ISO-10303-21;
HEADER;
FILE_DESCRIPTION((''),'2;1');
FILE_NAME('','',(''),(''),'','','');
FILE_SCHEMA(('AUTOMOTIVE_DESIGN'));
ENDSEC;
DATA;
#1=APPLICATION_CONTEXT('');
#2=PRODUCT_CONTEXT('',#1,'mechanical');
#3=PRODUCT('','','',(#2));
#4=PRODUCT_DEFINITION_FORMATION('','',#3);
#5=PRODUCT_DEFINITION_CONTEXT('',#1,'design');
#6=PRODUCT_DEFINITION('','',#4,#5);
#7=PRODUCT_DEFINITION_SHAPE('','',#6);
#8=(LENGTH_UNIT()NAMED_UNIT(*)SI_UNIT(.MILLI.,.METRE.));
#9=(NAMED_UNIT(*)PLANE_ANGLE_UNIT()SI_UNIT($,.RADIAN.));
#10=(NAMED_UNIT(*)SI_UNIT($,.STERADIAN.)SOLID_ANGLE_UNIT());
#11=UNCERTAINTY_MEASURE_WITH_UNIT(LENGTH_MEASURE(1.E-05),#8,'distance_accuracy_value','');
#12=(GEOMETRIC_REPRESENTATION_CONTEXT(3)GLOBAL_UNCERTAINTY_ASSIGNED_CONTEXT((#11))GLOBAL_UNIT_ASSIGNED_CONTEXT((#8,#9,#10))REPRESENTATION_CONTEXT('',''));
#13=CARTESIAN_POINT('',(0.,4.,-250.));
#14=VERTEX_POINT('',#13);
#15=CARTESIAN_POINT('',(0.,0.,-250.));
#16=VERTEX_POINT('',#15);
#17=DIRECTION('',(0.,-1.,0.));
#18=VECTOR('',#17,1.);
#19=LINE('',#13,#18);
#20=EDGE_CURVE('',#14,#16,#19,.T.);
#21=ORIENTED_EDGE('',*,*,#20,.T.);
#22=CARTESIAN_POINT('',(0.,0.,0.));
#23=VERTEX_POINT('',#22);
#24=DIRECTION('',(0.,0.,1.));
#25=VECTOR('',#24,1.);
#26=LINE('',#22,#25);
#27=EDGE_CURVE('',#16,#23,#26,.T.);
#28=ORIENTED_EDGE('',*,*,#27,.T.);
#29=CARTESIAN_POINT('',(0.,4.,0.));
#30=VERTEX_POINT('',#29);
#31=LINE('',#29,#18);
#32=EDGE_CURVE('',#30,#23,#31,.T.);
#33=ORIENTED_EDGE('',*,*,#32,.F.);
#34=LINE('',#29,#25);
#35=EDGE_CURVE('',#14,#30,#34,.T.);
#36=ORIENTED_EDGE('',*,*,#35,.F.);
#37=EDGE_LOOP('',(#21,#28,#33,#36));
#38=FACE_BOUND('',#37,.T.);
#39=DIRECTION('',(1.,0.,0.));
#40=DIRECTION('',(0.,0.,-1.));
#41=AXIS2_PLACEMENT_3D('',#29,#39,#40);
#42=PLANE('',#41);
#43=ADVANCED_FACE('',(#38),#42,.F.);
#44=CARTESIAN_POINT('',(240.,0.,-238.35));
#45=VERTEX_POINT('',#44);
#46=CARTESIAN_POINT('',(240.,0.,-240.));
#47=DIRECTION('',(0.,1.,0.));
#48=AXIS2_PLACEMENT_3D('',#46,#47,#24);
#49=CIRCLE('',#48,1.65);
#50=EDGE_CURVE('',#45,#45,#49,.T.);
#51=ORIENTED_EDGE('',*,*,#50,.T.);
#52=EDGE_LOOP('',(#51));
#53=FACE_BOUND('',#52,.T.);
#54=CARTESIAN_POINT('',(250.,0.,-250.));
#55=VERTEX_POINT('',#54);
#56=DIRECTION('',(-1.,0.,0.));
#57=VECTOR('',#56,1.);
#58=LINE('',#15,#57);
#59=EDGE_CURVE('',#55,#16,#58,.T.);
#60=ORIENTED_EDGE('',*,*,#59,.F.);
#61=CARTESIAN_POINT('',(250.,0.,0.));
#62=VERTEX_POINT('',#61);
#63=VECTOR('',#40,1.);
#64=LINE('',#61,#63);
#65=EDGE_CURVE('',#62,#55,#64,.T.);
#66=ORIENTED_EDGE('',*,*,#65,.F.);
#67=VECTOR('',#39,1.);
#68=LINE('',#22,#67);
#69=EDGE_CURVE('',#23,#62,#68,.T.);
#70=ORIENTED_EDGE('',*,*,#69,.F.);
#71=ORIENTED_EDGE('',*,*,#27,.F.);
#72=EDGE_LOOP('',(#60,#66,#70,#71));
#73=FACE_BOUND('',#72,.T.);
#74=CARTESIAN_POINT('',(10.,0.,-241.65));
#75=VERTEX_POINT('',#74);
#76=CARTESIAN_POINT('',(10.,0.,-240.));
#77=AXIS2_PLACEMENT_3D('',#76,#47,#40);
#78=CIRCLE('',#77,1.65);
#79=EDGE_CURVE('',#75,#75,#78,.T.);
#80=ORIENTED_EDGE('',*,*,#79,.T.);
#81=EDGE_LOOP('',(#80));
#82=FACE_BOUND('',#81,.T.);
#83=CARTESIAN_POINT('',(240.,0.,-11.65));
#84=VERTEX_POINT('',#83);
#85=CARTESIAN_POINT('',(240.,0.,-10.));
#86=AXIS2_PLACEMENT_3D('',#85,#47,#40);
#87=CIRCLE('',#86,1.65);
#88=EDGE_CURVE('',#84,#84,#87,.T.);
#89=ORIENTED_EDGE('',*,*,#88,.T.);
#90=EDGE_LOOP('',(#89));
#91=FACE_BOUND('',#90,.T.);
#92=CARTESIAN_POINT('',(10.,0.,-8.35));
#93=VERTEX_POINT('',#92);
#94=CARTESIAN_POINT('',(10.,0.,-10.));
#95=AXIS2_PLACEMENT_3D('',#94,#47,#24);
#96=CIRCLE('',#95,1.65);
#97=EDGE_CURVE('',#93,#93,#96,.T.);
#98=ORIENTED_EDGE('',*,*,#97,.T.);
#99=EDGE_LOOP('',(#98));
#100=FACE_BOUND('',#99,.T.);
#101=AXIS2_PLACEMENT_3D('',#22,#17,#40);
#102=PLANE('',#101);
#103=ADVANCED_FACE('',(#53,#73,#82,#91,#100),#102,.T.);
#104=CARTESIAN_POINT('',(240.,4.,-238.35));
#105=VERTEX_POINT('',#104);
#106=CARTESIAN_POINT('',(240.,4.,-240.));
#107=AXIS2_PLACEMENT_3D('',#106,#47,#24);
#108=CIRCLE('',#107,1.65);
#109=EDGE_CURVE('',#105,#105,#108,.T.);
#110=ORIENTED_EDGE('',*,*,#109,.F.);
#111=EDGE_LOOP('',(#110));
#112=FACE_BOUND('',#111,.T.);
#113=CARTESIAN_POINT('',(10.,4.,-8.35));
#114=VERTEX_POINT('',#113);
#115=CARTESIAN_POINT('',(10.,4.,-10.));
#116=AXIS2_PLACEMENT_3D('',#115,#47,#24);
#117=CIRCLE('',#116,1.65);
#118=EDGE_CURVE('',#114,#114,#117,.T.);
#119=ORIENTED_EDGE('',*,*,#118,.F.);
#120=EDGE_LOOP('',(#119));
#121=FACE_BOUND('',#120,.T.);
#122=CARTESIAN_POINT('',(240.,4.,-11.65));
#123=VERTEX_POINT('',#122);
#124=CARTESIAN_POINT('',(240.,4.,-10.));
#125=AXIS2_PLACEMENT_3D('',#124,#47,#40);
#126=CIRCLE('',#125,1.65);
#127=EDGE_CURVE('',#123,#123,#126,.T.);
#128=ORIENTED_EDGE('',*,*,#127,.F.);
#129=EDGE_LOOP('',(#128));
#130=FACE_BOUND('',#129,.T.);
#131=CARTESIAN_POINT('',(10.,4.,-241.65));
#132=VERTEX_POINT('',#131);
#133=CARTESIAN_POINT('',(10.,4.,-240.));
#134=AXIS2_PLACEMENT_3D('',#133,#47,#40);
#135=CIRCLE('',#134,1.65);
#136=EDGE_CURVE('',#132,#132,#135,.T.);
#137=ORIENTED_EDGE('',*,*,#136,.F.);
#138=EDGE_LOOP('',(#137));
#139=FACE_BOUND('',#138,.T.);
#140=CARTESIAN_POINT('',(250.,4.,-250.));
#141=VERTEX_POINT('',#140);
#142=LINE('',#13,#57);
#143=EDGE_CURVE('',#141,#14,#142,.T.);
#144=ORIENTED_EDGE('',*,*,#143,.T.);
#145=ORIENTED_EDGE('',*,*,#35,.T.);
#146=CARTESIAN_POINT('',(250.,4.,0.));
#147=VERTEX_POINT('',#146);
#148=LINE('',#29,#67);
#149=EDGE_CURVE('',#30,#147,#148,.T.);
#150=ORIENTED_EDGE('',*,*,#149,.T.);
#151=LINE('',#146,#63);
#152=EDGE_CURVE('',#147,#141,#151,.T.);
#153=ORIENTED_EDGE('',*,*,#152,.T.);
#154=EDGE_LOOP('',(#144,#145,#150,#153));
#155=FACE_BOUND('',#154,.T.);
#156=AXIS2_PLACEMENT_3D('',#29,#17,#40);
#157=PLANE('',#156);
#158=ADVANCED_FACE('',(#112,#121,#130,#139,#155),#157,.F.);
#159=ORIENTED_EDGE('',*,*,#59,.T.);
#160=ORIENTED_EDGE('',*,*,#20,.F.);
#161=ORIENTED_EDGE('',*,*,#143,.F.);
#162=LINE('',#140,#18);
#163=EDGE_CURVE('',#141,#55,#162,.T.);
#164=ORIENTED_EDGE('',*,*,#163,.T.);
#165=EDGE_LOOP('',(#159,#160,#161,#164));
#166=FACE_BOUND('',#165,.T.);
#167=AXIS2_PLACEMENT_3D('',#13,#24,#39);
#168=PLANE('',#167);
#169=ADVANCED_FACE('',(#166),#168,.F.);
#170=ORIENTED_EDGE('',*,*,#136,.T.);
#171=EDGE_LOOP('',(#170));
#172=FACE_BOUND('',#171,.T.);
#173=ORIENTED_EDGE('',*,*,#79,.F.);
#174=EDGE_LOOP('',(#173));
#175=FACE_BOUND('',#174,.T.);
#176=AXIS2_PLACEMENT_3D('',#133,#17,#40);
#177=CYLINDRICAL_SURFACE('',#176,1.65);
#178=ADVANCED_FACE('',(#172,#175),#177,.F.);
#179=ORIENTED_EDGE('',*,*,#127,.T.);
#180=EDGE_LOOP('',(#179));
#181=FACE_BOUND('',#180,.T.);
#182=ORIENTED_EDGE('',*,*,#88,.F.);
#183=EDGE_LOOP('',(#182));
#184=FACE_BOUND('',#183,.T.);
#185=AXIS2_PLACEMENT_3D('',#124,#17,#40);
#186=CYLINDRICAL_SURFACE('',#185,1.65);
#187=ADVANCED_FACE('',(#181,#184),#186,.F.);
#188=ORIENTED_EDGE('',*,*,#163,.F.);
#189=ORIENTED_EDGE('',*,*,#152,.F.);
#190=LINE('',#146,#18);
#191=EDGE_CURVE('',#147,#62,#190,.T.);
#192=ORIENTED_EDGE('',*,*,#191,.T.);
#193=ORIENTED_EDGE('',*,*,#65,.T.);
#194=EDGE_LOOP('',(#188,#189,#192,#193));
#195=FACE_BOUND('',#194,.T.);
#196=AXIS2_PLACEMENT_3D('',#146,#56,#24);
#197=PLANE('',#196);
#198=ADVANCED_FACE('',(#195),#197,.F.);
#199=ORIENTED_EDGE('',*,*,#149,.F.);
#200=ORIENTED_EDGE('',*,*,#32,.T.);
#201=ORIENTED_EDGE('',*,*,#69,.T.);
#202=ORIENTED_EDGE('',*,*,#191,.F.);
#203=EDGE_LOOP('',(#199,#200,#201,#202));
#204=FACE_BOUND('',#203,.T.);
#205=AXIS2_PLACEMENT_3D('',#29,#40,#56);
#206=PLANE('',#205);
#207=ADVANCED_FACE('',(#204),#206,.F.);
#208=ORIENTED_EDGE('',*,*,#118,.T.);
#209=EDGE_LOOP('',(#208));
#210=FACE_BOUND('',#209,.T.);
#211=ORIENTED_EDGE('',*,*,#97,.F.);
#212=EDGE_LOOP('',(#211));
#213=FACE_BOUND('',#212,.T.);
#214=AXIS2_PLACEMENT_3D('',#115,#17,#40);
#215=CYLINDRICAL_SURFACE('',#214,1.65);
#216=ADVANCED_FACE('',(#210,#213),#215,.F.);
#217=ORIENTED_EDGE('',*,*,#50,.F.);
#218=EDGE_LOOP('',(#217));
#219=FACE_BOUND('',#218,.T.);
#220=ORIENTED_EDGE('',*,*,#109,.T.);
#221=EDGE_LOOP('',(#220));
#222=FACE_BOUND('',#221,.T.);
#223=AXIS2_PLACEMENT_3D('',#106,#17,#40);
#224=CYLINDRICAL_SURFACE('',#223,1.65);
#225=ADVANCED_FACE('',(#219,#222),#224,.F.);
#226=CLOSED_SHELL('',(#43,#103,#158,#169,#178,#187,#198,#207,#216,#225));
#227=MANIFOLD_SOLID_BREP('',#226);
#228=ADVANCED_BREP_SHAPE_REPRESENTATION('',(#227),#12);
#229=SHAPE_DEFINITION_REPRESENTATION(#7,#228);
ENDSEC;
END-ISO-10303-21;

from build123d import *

# Parameters (mm, degrees)
SKETCH1_W           = 250
SKETCH1_H           = 250
SKETCH1_R           = 1.65
BOSS_EXTRUDE1_DEPTH = 4


with BuildPart() as part:
    # Sketch1 → Boss-Extrude1 (new body)
    with BuildSketch(Plane(origin=(0, 0, 0), x_dir=(1, 0, 0), z_dir=(0, 1, 0))):
        with Locations((125, 125)):
            Rectangle(SKETCH1_W, SKETCH1_H)
        with Locations(Location((10, 10, 0), (0, 0, 270))):
            Circle(SKETCH1_R, mode=Mode.SUBTRACT)
        with Locations(Location((240, 10, 0), (0, 0, 90))):
            Circle(SKETCH1_R, mode=Mode.SUBTRACT)
        with Locations(Location((240, 240, 0), (0, 0, 270))):
            Circle(SKETCH1_R, mode=Mode.SUBTRACT)
        with Locations(Location((10, 240, 0), (0, 0, 90))):
            Circle(SKETCH1_R, mode=Mode.SUBTRACT)
    extrude(amount=BOSS_EXTRUDE1_DEPTH)


solid = part.part
